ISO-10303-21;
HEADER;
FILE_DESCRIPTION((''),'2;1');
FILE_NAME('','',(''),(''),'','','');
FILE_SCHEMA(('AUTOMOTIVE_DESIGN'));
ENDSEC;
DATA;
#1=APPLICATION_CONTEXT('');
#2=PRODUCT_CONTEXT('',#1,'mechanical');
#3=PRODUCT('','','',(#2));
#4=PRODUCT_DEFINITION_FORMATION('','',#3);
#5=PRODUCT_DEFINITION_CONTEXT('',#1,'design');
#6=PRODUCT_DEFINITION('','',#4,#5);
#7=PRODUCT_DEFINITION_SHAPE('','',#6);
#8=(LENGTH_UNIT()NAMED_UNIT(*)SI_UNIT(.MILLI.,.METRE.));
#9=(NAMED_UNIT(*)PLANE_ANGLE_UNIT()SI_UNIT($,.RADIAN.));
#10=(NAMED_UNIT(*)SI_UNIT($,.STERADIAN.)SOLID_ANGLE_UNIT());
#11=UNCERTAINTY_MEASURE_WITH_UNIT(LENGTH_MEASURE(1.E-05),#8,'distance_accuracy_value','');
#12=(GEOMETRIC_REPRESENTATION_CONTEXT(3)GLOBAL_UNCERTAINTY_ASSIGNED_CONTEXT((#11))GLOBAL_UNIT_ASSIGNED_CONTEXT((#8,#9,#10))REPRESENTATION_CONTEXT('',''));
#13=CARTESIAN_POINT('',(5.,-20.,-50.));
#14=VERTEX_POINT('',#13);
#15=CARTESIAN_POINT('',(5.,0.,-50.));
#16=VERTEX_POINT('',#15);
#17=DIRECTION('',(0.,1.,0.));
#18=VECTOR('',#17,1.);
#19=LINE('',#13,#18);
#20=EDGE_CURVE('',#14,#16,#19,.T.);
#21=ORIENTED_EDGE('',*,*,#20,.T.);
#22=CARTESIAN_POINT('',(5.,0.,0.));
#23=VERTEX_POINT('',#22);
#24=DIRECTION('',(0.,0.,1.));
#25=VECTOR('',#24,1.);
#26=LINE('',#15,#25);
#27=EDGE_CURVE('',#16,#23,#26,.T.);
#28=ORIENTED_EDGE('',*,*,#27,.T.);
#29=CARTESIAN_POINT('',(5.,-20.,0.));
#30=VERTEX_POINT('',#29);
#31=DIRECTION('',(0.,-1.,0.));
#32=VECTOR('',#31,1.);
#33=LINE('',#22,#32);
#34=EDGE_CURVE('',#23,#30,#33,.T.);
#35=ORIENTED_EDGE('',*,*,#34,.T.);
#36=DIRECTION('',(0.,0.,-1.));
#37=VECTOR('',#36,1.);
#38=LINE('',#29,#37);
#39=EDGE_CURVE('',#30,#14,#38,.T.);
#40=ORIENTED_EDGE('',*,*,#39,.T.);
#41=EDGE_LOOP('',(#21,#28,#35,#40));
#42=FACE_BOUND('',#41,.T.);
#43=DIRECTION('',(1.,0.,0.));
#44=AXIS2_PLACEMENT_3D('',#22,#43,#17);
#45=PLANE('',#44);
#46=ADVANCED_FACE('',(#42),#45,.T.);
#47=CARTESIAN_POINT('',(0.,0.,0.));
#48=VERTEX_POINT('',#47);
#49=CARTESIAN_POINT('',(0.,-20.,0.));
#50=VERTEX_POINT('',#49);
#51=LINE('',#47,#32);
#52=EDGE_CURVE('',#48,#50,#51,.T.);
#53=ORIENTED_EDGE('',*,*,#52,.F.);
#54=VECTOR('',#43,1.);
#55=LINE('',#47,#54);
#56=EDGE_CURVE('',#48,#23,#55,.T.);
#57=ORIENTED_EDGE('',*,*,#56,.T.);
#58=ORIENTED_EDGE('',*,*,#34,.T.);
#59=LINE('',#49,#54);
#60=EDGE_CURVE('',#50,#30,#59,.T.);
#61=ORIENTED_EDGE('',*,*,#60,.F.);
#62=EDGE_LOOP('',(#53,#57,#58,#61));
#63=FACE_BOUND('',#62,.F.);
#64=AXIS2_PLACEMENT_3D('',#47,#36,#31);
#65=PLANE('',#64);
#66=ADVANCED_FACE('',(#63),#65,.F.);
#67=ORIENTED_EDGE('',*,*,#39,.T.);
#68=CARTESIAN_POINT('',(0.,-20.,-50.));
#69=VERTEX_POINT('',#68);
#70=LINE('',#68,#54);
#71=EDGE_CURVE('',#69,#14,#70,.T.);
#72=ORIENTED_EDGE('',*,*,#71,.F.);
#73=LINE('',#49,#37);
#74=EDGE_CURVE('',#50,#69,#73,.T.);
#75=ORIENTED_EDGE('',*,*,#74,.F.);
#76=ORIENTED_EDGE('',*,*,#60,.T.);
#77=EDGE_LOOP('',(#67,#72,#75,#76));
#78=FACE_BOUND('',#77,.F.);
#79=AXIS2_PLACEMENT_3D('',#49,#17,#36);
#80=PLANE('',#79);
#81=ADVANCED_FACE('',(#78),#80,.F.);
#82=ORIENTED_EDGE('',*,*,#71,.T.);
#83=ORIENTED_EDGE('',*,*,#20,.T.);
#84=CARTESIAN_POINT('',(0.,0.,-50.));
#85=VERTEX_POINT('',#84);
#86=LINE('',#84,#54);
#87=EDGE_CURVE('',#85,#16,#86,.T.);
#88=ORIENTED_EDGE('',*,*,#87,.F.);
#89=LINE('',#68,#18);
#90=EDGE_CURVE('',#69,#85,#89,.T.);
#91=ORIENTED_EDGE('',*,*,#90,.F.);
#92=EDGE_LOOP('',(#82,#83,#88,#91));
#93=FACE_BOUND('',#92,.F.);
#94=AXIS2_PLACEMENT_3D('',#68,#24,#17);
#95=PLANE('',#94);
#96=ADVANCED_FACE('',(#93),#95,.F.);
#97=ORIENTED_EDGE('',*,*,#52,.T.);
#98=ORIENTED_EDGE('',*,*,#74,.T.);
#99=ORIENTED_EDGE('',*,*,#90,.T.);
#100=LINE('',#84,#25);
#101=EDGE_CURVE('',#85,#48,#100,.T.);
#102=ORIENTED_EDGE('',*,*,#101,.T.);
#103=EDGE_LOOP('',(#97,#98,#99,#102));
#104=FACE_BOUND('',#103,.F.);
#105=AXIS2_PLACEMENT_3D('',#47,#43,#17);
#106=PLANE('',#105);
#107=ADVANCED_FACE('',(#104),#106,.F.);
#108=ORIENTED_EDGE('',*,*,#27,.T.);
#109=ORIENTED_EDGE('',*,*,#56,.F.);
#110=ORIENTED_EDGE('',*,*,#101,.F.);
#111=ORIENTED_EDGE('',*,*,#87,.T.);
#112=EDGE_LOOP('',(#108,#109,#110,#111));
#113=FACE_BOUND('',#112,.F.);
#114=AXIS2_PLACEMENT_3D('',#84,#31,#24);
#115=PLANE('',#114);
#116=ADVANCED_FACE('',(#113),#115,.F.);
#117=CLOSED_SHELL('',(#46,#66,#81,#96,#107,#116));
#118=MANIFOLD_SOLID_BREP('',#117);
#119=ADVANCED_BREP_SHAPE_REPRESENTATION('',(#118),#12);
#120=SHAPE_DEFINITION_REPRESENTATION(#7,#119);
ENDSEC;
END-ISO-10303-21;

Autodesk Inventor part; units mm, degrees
ref_plane "YZ Plane" through (0, 0, 0) normal (1, 0, 0) x (0, 1, 0)
ref_plane "XZ Plane" through (0, 0, 0) normal (0, 1, 0) x (-1, 0, 0)
ref_plane "XY Plane" through (0, 0, 0) normal (0, 0, 1) x (1, 0, 0)
sketch "Sketch1" plane through (0, 0, 0) normal (1, 0, 0) x (0, 1, 0)
  line L0 (0, 0) -> (-20, 0)
  line L1 (-20, 0) -> (-20, -50)
  line L2 (-20, -50) -> (0, -50)
  line L3 (0, -50) -> (0, 0)
  dimension "d0" = 20
  dimension "d1" = 50
extrude "Extrusion2" add sketch "Sketch1" along normal blind 5
properties part number "Rubber"
